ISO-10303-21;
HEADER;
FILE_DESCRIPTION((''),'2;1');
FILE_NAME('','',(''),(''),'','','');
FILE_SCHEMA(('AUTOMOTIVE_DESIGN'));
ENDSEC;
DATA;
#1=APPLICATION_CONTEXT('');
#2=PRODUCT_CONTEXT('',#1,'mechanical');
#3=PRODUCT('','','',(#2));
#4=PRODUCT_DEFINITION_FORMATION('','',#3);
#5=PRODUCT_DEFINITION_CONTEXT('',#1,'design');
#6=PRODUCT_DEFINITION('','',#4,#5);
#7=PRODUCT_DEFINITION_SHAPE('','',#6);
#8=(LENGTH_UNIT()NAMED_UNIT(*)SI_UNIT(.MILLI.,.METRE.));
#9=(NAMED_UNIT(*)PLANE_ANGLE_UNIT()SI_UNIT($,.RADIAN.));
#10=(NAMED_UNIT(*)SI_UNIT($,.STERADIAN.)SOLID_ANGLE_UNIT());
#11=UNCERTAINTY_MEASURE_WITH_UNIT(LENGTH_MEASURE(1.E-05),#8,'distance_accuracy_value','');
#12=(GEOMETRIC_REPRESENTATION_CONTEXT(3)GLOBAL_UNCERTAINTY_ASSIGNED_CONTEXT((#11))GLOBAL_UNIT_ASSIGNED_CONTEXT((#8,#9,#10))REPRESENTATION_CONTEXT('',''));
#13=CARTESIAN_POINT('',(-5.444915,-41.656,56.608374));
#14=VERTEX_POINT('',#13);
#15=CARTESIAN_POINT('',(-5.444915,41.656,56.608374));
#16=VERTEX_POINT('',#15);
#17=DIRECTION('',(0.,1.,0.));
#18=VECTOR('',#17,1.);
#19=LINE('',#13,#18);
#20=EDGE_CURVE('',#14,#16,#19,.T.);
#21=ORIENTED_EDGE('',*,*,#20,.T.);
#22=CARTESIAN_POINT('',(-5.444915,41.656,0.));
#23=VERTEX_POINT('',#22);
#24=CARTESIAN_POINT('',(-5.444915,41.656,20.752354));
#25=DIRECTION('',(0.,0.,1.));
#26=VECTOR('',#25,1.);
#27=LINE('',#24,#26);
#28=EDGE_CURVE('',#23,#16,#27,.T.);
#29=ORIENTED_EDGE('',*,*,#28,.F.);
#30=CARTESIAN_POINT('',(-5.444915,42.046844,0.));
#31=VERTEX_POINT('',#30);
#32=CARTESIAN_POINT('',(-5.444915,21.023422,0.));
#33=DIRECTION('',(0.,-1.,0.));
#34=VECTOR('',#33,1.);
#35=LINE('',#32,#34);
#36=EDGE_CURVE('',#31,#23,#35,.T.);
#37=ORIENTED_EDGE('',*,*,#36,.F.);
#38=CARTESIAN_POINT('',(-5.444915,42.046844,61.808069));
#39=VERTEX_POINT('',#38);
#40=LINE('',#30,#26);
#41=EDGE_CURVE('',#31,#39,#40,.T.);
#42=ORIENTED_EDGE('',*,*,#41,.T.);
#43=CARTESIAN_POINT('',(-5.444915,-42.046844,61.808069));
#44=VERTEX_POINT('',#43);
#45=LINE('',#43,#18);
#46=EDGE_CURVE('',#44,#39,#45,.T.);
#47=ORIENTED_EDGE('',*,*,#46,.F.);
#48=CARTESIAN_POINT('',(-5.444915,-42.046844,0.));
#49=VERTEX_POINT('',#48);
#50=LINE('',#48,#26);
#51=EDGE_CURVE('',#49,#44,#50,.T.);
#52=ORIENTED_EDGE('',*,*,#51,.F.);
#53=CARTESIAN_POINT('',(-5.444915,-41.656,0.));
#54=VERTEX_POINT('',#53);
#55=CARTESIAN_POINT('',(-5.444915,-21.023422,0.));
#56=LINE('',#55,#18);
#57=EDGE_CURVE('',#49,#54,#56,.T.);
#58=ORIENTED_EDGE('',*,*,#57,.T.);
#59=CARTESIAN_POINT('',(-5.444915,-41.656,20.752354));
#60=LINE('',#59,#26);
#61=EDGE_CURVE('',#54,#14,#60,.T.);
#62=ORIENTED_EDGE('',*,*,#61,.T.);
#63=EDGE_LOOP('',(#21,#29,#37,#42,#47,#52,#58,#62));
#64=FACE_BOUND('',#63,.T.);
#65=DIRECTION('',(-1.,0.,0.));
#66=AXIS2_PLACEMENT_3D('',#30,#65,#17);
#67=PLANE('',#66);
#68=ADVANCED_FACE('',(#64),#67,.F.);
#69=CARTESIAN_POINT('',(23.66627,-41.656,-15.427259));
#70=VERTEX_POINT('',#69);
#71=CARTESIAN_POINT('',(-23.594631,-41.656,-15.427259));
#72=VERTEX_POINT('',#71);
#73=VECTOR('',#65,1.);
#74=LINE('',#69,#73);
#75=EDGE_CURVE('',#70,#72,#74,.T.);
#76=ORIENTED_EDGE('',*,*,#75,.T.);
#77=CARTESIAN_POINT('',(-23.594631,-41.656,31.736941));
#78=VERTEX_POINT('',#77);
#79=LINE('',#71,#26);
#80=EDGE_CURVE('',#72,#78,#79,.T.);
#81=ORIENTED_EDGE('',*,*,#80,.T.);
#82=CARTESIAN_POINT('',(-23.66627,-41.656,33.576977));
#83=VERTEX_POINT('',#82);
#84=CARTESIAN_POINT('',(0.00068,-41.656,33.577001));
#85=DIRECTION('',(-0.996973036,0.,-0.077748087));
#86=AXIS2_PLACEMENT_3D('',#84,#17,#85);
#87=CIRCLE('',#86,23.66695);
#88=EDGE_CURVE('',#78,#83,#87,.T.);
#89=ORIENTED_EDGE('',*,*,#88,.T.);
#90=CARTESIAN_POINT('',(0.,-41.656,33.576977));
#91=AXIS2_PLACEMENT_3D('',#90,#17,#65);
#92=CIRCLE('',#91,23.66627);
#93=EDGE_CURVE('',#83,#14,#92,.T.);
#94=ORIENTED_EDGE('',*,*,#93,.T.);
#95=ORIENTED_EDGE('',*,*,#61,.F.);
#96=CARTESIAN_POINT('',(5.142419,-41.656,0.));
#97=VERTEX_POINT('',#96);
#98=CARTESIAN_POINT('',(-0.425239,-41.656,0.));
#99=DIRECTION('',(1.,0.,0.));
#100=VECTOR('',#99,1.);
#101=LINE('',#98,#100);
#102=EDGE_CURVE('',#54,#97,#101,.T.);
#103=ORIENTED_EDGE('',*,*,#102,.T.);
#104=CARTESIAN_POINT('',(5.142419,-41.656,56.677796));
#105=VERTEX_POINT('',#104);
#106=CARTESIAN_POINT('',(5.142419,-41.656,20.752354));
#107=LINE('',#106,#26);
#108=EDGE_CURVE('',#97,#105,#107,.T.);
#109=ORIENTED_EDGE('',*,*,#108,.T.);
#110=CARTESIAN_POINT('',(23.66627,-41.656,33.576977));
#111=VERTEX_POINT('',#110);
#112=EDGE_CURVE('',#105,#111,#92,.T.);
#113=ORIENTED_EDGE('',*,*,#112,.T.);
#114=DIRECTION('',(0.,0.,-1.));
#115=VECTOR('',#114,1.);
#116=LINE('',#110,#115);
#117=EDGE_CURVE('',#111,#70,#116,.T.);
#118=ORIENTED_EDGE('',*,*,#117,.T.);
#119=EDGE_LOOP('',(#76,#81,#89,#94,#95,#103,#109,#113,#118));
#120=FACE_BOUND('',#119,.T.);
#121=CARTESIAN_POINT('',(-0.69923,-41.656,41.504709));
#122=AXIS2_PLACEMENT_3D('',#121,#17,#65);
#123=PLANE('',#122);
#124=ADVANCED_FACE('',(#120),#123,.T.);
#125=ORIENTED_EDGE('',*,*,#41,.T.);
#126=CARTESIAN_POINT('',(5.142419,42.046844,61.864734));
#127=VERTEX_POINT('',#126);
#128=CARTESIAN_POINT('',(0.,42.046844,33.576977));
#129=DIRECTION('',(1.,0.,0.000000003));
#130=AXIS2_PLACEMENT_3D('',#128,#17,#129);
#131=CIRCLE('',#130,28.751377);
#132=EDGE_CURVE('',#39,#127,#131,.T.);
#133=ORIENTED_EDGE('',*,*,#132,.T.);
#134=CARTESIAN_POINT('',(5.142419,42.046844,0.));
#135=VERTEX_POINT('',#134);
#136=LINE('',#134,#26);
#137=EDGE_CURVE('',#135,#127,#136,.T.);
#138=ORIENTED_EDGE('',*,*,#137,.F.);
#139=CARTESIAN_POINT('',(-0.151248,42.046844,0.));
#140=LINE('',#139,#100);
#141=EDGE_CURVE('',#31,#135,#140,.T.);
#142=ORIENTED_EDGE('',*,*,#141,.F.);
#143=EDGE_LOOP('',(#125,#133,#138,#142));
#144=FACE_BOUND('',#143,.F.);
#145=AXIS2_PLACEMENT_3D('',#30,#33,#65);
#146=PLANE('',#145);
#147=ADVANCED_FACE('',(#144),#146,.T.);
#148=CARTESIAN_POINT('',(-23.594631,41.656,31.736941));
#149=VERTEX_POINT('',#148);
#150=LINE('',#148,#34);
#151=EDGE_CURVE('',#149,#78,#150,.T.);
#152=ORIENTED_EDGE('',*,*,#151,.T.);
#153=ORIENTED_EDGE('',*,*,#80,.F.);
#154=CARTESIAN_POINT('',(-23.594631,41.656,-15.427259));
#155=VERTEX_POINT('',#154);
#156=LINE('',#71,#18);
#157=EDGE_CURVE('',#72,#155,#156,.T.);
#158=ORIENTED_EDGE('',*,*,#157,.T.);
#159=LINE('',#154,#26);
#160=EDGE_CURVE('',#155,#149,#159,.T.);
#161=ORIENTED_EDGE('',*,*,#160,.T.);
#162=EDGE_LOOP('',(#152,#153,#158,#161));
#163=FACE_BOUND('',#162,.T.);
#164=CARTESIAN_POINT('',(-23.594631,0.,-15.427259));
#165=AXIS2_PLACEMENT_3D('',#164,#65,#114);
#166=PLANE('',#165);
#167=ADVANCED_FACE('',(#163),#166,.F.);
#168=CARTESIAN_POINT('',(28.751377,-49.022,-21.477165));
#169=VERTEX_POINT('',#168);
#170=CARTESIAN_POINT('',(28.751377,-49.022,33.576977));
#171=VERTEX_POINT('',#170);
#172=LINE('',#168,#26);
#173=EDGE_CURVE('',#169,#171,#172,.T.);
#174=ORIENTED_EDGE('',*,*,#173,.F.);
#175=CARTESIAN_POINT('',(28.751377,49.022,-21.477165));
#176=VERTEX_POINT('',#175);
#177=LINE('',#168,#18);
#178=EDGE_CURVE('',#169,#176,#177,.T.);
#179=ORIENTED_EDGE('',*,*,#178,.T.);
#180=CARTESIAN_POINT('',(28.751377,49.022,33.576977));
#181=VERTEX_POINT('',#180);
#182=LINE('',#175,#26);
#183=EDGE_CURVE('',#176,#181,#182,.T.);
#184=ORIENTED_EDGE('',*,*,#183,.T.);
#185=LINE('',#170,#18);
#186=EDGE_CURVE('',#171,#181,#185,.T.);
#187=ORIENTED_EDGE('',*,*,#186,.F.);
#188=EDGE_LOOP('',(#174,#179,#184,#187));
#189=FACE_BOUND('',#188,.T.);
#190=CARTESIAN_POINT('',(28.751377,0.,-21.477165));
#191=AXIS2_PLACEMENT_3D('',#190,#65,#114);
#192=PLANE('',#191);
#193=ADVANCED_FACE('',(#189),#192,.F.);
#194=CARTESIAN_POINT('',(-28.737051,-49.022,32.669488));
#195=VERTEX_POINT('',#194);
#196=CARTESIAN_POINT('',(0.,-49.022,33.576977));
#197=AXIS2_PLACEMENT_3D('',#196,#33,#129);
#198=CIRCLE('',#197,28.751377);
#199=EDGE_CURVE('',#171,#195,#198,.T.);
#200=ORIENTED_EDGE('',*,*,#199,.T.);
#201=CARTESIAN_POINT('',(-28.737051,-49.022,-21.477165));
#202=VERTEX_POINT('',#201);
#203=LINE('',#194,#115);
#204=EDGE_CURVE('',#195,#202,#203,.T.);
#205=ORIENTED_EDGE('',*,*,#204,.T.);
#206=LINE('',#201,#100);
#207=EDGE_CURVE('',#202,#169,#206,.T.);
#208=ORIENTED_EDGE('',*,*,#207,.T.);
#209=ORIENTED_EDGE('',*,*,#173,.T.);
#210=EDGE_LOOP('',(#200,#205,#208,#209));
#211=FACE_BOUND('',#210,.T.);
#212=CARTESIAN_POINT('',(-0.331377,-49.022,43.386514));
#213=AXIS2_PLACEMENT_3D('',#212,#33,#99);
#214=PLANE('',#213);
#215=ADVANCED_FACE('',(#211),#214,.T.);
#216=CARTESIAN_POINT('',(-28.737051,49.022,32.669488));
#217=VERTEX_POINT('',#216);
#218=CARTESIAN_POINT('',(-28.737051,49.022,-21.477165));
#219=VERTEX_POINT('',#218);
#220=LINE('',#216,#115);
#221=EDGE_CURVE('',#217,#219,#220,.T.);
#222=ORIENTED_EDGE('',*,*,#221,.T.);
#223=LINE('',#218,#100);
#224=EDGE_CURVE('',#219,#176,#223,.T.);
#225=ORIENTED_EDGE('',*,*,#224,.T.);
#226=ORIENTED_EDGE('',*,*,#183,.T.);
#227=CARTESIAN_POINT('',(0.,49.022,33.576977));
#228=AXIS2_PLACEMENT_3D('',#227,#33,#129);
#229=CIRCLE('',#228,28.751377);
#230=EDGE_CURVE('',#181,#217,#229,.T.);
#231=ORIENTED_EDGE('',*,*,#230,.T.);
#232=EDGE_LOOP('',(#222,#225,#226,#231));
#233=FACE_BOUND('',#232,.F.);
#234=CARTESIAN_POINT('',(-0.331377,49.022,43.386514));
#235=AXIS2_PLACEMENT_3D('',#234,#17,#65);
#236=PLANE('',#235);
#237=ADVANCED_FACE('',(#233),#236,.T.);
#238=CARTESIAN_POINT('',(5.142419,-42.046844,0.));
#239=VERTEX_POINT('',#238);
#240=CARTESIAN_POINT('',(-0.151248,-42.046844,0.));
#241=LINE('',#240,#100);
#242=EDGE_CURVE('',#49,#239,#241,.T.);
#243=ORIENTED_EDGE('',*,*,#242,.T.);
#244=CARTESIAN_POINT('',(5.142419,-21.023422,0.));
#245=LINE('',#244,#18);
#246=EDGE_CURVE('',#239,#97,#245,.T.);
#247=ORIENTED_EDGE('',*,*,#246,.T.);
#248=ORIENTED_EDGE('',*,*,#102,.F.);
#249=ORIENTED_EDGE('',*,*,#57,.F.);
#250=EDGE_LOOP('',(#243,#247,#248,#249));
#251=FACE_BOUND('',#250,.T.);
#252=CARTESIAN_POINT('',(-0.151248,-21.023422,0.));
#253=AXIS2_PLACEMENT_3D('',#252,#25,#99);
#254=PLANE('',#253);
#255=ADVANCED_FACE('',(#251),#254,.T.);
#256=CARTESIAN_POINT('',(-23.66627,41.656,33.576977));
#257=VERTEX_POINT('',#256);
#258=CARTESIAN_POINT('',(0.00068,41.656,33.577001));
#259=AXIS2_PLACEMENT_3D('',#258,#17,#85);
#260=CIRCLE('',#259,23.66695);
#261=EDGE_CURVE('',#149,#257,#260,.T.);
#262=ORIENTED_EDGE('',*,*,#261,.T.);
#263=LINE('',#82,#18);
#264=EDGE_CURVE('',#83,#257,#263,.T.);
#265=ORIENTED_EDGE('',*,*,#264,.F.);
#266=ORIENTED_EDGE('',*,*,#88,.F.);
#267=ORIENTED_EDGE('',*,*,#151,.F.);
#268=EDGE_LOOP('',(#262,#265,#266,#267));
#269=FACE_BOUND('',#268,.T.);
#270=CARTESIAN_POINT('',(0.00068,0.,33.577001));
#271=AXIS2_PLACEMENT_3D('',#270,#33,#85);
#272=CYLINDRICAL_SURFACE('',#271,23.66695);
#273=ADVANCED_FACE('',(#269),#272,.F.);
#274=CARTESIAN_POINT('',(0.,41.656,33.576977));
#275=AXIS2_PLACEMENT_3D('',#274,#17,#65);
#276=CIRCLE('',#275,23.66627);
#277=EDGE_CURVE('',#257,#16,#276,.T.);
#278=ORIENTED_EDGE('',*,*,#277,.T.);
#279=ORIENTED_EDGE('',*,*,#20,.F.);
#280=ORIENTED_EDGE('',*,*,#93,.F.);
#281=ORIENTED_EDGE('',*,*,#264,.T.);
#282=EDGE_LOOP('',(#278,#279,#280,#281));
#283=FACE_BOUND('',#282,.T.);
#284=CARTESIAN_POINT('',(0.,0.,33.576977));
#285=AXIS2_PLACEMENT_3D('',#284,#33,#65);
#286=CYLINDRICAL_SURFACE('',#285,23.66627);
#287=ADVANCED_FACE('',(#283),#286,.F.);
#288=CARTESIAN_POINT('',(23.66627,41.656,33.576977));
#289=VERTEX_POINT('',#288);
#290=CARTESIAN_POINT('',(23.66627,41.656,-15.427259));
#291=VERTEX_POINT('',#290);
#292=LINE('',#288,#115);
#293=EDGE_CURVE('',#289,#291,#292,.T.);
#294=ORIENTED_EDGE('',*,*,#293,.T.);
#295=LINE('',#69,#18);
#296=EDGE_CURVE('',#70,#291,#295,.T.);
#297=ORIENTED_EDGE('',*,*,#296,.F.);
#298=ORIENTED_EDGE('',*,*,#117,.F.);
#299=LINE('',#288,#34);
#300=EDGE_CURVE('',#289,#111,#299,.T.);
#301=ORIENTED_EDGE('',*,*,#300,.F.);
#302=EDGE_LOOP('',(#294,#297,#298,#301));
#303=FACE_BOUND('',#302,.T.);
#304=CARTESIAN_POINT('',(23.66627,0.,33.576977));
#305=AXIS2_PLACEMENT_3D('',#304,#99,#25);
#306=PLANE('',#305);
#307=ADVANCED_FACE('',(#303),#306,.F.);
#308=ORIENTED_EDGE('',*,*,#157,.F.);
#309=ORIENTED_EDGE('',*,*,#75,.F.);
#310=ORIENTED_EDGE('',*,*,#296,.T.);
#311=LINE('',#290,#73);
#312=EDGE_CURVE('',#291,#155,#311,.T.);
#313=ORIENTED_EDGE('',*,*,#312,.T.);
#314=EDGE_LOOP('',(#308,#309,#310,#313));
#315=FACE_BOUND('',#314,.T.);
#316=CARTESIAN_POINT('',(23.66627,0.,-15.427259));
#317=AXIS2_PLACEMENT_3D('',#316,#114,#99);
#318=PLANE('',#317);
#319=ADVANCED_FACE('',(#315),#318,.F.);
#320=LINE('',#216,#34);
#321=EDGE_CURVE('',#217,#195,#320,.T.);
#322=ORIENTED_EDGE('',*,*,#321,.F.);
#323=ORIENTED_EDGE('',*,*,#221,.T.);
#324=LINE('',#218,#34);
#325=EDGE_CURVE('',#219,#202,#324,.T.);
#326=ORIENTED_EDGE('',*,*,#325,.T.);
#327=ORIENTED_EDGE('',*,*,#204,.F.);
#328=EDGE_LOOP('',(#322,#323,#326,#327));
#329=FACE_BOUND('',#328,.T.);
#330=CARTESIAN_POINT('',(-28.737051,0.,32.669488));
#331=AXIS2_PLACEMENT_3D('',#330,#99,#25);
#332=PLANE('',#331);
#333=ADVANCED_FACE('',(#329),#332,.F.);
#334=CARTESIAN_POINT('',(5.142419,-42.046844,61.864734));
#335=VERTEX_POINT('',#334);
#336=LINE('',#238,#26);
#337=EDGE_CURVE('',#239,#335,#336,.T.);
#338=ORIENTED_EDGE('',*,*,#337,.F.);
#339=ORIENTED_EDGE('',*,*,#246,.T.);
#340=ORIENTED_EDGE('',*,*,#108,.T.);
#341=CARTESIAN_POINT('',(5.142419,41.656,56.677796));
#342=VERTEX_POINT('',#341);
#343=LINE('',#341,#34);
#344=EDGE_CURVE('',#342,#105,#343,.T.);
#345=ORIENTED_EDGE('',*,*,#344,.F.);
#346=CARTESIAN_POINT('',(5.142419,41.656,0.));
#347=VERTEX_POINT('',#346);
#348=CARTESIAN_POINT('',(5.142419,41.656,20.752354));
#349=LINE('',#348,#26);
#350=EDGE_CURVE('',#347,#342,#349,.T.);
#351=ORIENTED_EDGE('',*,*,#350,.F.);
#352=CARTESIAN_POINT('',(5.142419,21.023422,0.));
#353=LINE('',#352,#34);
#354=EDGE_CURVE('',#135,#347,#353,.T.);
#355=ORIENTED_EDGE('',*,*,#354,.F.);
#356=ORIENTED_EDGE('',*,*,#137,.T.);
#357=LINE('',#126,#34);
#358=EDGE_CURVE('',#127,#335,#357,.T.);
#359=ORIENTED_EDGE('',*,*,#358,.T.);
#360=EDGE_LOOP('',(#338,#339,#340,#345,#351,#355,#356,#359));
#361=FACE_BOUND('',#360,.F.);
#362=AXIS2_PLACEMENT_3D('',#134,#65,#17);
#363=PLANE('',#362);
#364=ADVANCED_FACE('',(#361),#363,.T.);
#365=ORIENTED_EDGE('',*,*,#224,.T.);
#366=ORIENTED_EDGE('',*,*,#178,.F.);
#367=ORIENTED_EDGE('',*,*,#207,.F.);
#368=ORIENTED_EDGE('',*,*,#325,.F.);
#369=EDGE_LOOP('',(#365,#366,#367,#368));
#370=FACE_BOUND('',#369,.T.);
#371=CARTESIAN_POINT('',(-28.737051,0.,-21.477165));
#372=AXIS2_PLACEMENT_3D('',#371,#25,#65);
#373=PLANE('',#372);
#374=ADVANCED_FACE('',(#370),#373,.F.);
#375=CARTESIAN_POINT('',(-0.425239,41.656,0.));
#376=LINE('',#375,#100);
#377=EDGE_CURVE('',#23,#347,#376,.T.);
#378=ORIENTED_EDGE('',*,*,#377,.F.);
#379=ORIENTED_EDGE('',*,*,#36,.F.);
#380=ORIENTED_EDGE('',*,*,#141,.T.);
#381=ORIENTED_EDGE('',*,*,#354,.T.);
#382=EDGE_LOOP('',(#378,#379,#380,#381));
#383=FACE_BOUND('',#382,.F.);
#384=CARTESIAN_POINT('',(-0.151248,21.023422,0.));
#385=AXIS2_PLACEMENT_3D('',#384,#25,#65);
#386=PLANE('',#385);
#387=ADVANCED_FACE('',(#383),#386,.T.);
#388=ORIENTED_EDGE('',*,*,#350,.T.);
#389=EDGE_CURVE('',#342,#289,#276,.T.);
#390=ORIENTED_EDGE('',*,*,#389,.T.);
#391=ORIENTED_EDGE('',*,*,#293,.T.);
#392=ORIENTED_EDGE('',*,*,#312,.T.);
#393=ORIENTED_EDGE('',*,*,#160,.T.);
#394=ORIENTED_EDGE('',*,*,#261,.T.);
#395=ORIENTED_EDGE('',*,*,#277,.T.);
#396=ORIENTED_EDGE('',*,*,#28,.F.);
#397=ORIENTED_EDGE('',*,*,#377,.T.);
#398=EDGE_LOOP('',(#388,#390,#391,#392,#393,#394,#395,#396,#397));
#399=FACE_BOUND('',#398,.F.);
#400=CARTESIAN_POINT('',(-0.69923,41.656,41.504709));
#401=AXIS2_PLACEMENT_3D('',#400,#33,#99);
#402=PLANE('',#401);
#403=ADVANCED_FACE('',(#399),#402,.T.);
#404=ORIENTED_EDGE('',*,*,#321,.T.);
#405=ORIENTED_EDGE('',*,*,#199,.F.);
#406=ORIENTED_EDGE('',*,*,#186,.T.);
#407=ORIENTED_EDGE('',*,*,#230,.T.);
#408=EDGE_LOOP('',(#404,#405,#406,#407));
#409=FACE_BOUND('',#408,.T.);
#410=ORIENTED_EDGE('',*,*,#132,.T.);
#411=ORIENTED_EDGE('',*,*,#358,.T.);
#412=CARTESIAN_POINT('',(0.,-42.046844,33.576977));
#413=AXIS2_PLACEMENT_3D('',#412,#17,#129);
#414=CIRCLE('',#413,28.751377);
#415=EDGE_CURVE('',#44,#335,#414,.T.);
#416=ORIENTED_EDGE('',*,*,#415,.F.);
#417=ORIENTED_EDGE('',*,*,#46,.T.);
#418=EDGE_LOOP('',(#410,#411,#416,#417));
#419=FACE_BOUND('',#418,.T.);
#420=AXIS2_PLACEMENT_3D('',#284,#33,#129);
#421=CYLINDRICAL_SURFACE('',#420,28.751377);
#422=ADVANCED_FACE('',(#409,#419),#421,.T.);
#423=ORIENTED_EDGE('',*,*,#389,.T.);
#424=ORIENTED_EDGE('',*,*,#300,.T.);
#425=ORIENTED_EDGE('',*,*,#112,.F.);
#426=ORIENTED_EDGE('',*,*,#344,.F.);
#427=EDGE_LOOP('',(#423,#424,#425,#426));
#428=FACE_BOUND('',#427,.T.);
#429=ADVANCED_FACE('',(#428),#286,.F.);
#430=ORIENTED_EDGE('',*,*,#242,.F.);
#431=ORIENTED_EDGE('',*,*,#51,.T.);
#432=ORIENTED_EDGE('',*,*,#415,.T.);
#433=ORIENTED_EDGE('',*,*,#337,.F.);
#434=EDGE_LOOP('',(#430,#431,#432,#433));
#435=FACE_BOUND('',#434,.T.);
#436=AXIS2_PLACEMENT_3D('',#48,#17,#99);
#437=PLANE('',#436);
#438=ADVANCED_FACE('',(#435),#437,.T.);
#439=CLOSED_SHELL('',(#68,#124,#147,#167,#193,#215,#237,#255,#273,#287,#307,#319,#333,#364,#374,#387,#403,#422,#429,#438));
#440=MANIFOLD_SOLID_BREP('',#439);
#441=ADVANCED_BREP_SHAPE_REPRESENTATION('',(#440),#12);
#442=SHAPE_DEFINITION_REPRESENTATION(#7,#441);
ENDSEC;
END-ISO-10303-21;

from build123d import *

# Parameters (mm, degrees)
F1_DEPTH = 49.022
F3_DEPTH = 41.656
F4_W     = 10.587335
F4_H     = 42.046845
F5_DEPTH = 108.712


with BuildPart() as f1:
    # F0 (on Front) → F1 (new body)
    with BuildSketch(Plane.XZ):
        with BuildLine():
            Line((-28.737051, 33.576977), (28.751377, 33.576977))
            ThreePointArc((28.751377, 33.576977), (-0.453801, 62.324772), (-28.737051, 32.669488))
            Line((-28.737051, 32.669488), (-28.737051, 33.576977))
        make_face()
        with BuildLine():
            ThreePointArc((-28.737051, 32.669488), (0.453801, 4.829181), (28.751377, 33.576977))
            Line((28.751377, 33.576977), (-28.737051, 33.576977))
            Line((-28.737051, 33.576977), (-28.737051, 32.669488))
        make_face()
        with BuildLine():
            Line((28.751377, -21.477165), (28.751377, 33.576977))
            ThreePointArc((28.751377, 33.576977), (0.453801, 4.829181), (-28.737051, 32.669488))
            Line((-28.737051, 32.669488), (-28.737051, -21.477165))
            Line((-28.737051, -21.477165), (28.751377, -21.477165))
        make_face()
    extrude(amount=F1_DEPTH)

    # F2 (on face) → F3 (cut)
    with BuildSketch(Plane(origin=(0, 0, 0), x_dir=(-1, 0, 0), z_dir=(0, 1, 0))):
        with BuildLine():
            ThreePointArc((23.594631, 31.736941), (23.648353, 32.656262), (23.66627, 33.576977))
            ThreePointArc((23.66627, 33.576977), (0, 57.243247), (-23.66627, 33.576977))
            Line((-23.66627, 33.576977), (23.594631, 33.576977))
            Line((23.594631, 33.576977), (23.594631, 31.736941))
        make_face()
        with BuildLine():
            Line((23.594631, 33.576977), (-23.66627, 33.576977))
            ThreePointArc((-23.66627, 33.576977), (-0.920715, 9.928623), (23.594631, 31.736941))
            Line((23.594631, 31.736941), (23.594631, 33.576977))
        make_face()
        with BuildLine():
            ThreePointArc((23.594631, 31.736941), (-0.920715, 9.928623), (-23.66627, 33.576977))
            Line((-23.66627, 33.576977), (-23.66627, -15.427259))
            Line((-23.66627, -15.427259), (23.594631, -15.427259))
            Line((23.594631, -15.427259), (23.594631, 31.736941))
        make_face()
    extrude(amount=-F3_DEPTH, mode=Mode.SUBTRACT)

    # F4 (on Top) → F5 (cut)
    with BuildSketch(Plane.XY):
        with Locations((-0.151248, -21.023422)):
            Rectangle(F4_W, F4_H)
    extrude(amount=F5_DEPTH, mode=Mode.SUBTRACT)

    # F6: F1 across plane


with BuildPart() as f1_1:
    add(f1.part)
    add(f1.part.mirror(Plane.XZ))


solid = f1_1.part
